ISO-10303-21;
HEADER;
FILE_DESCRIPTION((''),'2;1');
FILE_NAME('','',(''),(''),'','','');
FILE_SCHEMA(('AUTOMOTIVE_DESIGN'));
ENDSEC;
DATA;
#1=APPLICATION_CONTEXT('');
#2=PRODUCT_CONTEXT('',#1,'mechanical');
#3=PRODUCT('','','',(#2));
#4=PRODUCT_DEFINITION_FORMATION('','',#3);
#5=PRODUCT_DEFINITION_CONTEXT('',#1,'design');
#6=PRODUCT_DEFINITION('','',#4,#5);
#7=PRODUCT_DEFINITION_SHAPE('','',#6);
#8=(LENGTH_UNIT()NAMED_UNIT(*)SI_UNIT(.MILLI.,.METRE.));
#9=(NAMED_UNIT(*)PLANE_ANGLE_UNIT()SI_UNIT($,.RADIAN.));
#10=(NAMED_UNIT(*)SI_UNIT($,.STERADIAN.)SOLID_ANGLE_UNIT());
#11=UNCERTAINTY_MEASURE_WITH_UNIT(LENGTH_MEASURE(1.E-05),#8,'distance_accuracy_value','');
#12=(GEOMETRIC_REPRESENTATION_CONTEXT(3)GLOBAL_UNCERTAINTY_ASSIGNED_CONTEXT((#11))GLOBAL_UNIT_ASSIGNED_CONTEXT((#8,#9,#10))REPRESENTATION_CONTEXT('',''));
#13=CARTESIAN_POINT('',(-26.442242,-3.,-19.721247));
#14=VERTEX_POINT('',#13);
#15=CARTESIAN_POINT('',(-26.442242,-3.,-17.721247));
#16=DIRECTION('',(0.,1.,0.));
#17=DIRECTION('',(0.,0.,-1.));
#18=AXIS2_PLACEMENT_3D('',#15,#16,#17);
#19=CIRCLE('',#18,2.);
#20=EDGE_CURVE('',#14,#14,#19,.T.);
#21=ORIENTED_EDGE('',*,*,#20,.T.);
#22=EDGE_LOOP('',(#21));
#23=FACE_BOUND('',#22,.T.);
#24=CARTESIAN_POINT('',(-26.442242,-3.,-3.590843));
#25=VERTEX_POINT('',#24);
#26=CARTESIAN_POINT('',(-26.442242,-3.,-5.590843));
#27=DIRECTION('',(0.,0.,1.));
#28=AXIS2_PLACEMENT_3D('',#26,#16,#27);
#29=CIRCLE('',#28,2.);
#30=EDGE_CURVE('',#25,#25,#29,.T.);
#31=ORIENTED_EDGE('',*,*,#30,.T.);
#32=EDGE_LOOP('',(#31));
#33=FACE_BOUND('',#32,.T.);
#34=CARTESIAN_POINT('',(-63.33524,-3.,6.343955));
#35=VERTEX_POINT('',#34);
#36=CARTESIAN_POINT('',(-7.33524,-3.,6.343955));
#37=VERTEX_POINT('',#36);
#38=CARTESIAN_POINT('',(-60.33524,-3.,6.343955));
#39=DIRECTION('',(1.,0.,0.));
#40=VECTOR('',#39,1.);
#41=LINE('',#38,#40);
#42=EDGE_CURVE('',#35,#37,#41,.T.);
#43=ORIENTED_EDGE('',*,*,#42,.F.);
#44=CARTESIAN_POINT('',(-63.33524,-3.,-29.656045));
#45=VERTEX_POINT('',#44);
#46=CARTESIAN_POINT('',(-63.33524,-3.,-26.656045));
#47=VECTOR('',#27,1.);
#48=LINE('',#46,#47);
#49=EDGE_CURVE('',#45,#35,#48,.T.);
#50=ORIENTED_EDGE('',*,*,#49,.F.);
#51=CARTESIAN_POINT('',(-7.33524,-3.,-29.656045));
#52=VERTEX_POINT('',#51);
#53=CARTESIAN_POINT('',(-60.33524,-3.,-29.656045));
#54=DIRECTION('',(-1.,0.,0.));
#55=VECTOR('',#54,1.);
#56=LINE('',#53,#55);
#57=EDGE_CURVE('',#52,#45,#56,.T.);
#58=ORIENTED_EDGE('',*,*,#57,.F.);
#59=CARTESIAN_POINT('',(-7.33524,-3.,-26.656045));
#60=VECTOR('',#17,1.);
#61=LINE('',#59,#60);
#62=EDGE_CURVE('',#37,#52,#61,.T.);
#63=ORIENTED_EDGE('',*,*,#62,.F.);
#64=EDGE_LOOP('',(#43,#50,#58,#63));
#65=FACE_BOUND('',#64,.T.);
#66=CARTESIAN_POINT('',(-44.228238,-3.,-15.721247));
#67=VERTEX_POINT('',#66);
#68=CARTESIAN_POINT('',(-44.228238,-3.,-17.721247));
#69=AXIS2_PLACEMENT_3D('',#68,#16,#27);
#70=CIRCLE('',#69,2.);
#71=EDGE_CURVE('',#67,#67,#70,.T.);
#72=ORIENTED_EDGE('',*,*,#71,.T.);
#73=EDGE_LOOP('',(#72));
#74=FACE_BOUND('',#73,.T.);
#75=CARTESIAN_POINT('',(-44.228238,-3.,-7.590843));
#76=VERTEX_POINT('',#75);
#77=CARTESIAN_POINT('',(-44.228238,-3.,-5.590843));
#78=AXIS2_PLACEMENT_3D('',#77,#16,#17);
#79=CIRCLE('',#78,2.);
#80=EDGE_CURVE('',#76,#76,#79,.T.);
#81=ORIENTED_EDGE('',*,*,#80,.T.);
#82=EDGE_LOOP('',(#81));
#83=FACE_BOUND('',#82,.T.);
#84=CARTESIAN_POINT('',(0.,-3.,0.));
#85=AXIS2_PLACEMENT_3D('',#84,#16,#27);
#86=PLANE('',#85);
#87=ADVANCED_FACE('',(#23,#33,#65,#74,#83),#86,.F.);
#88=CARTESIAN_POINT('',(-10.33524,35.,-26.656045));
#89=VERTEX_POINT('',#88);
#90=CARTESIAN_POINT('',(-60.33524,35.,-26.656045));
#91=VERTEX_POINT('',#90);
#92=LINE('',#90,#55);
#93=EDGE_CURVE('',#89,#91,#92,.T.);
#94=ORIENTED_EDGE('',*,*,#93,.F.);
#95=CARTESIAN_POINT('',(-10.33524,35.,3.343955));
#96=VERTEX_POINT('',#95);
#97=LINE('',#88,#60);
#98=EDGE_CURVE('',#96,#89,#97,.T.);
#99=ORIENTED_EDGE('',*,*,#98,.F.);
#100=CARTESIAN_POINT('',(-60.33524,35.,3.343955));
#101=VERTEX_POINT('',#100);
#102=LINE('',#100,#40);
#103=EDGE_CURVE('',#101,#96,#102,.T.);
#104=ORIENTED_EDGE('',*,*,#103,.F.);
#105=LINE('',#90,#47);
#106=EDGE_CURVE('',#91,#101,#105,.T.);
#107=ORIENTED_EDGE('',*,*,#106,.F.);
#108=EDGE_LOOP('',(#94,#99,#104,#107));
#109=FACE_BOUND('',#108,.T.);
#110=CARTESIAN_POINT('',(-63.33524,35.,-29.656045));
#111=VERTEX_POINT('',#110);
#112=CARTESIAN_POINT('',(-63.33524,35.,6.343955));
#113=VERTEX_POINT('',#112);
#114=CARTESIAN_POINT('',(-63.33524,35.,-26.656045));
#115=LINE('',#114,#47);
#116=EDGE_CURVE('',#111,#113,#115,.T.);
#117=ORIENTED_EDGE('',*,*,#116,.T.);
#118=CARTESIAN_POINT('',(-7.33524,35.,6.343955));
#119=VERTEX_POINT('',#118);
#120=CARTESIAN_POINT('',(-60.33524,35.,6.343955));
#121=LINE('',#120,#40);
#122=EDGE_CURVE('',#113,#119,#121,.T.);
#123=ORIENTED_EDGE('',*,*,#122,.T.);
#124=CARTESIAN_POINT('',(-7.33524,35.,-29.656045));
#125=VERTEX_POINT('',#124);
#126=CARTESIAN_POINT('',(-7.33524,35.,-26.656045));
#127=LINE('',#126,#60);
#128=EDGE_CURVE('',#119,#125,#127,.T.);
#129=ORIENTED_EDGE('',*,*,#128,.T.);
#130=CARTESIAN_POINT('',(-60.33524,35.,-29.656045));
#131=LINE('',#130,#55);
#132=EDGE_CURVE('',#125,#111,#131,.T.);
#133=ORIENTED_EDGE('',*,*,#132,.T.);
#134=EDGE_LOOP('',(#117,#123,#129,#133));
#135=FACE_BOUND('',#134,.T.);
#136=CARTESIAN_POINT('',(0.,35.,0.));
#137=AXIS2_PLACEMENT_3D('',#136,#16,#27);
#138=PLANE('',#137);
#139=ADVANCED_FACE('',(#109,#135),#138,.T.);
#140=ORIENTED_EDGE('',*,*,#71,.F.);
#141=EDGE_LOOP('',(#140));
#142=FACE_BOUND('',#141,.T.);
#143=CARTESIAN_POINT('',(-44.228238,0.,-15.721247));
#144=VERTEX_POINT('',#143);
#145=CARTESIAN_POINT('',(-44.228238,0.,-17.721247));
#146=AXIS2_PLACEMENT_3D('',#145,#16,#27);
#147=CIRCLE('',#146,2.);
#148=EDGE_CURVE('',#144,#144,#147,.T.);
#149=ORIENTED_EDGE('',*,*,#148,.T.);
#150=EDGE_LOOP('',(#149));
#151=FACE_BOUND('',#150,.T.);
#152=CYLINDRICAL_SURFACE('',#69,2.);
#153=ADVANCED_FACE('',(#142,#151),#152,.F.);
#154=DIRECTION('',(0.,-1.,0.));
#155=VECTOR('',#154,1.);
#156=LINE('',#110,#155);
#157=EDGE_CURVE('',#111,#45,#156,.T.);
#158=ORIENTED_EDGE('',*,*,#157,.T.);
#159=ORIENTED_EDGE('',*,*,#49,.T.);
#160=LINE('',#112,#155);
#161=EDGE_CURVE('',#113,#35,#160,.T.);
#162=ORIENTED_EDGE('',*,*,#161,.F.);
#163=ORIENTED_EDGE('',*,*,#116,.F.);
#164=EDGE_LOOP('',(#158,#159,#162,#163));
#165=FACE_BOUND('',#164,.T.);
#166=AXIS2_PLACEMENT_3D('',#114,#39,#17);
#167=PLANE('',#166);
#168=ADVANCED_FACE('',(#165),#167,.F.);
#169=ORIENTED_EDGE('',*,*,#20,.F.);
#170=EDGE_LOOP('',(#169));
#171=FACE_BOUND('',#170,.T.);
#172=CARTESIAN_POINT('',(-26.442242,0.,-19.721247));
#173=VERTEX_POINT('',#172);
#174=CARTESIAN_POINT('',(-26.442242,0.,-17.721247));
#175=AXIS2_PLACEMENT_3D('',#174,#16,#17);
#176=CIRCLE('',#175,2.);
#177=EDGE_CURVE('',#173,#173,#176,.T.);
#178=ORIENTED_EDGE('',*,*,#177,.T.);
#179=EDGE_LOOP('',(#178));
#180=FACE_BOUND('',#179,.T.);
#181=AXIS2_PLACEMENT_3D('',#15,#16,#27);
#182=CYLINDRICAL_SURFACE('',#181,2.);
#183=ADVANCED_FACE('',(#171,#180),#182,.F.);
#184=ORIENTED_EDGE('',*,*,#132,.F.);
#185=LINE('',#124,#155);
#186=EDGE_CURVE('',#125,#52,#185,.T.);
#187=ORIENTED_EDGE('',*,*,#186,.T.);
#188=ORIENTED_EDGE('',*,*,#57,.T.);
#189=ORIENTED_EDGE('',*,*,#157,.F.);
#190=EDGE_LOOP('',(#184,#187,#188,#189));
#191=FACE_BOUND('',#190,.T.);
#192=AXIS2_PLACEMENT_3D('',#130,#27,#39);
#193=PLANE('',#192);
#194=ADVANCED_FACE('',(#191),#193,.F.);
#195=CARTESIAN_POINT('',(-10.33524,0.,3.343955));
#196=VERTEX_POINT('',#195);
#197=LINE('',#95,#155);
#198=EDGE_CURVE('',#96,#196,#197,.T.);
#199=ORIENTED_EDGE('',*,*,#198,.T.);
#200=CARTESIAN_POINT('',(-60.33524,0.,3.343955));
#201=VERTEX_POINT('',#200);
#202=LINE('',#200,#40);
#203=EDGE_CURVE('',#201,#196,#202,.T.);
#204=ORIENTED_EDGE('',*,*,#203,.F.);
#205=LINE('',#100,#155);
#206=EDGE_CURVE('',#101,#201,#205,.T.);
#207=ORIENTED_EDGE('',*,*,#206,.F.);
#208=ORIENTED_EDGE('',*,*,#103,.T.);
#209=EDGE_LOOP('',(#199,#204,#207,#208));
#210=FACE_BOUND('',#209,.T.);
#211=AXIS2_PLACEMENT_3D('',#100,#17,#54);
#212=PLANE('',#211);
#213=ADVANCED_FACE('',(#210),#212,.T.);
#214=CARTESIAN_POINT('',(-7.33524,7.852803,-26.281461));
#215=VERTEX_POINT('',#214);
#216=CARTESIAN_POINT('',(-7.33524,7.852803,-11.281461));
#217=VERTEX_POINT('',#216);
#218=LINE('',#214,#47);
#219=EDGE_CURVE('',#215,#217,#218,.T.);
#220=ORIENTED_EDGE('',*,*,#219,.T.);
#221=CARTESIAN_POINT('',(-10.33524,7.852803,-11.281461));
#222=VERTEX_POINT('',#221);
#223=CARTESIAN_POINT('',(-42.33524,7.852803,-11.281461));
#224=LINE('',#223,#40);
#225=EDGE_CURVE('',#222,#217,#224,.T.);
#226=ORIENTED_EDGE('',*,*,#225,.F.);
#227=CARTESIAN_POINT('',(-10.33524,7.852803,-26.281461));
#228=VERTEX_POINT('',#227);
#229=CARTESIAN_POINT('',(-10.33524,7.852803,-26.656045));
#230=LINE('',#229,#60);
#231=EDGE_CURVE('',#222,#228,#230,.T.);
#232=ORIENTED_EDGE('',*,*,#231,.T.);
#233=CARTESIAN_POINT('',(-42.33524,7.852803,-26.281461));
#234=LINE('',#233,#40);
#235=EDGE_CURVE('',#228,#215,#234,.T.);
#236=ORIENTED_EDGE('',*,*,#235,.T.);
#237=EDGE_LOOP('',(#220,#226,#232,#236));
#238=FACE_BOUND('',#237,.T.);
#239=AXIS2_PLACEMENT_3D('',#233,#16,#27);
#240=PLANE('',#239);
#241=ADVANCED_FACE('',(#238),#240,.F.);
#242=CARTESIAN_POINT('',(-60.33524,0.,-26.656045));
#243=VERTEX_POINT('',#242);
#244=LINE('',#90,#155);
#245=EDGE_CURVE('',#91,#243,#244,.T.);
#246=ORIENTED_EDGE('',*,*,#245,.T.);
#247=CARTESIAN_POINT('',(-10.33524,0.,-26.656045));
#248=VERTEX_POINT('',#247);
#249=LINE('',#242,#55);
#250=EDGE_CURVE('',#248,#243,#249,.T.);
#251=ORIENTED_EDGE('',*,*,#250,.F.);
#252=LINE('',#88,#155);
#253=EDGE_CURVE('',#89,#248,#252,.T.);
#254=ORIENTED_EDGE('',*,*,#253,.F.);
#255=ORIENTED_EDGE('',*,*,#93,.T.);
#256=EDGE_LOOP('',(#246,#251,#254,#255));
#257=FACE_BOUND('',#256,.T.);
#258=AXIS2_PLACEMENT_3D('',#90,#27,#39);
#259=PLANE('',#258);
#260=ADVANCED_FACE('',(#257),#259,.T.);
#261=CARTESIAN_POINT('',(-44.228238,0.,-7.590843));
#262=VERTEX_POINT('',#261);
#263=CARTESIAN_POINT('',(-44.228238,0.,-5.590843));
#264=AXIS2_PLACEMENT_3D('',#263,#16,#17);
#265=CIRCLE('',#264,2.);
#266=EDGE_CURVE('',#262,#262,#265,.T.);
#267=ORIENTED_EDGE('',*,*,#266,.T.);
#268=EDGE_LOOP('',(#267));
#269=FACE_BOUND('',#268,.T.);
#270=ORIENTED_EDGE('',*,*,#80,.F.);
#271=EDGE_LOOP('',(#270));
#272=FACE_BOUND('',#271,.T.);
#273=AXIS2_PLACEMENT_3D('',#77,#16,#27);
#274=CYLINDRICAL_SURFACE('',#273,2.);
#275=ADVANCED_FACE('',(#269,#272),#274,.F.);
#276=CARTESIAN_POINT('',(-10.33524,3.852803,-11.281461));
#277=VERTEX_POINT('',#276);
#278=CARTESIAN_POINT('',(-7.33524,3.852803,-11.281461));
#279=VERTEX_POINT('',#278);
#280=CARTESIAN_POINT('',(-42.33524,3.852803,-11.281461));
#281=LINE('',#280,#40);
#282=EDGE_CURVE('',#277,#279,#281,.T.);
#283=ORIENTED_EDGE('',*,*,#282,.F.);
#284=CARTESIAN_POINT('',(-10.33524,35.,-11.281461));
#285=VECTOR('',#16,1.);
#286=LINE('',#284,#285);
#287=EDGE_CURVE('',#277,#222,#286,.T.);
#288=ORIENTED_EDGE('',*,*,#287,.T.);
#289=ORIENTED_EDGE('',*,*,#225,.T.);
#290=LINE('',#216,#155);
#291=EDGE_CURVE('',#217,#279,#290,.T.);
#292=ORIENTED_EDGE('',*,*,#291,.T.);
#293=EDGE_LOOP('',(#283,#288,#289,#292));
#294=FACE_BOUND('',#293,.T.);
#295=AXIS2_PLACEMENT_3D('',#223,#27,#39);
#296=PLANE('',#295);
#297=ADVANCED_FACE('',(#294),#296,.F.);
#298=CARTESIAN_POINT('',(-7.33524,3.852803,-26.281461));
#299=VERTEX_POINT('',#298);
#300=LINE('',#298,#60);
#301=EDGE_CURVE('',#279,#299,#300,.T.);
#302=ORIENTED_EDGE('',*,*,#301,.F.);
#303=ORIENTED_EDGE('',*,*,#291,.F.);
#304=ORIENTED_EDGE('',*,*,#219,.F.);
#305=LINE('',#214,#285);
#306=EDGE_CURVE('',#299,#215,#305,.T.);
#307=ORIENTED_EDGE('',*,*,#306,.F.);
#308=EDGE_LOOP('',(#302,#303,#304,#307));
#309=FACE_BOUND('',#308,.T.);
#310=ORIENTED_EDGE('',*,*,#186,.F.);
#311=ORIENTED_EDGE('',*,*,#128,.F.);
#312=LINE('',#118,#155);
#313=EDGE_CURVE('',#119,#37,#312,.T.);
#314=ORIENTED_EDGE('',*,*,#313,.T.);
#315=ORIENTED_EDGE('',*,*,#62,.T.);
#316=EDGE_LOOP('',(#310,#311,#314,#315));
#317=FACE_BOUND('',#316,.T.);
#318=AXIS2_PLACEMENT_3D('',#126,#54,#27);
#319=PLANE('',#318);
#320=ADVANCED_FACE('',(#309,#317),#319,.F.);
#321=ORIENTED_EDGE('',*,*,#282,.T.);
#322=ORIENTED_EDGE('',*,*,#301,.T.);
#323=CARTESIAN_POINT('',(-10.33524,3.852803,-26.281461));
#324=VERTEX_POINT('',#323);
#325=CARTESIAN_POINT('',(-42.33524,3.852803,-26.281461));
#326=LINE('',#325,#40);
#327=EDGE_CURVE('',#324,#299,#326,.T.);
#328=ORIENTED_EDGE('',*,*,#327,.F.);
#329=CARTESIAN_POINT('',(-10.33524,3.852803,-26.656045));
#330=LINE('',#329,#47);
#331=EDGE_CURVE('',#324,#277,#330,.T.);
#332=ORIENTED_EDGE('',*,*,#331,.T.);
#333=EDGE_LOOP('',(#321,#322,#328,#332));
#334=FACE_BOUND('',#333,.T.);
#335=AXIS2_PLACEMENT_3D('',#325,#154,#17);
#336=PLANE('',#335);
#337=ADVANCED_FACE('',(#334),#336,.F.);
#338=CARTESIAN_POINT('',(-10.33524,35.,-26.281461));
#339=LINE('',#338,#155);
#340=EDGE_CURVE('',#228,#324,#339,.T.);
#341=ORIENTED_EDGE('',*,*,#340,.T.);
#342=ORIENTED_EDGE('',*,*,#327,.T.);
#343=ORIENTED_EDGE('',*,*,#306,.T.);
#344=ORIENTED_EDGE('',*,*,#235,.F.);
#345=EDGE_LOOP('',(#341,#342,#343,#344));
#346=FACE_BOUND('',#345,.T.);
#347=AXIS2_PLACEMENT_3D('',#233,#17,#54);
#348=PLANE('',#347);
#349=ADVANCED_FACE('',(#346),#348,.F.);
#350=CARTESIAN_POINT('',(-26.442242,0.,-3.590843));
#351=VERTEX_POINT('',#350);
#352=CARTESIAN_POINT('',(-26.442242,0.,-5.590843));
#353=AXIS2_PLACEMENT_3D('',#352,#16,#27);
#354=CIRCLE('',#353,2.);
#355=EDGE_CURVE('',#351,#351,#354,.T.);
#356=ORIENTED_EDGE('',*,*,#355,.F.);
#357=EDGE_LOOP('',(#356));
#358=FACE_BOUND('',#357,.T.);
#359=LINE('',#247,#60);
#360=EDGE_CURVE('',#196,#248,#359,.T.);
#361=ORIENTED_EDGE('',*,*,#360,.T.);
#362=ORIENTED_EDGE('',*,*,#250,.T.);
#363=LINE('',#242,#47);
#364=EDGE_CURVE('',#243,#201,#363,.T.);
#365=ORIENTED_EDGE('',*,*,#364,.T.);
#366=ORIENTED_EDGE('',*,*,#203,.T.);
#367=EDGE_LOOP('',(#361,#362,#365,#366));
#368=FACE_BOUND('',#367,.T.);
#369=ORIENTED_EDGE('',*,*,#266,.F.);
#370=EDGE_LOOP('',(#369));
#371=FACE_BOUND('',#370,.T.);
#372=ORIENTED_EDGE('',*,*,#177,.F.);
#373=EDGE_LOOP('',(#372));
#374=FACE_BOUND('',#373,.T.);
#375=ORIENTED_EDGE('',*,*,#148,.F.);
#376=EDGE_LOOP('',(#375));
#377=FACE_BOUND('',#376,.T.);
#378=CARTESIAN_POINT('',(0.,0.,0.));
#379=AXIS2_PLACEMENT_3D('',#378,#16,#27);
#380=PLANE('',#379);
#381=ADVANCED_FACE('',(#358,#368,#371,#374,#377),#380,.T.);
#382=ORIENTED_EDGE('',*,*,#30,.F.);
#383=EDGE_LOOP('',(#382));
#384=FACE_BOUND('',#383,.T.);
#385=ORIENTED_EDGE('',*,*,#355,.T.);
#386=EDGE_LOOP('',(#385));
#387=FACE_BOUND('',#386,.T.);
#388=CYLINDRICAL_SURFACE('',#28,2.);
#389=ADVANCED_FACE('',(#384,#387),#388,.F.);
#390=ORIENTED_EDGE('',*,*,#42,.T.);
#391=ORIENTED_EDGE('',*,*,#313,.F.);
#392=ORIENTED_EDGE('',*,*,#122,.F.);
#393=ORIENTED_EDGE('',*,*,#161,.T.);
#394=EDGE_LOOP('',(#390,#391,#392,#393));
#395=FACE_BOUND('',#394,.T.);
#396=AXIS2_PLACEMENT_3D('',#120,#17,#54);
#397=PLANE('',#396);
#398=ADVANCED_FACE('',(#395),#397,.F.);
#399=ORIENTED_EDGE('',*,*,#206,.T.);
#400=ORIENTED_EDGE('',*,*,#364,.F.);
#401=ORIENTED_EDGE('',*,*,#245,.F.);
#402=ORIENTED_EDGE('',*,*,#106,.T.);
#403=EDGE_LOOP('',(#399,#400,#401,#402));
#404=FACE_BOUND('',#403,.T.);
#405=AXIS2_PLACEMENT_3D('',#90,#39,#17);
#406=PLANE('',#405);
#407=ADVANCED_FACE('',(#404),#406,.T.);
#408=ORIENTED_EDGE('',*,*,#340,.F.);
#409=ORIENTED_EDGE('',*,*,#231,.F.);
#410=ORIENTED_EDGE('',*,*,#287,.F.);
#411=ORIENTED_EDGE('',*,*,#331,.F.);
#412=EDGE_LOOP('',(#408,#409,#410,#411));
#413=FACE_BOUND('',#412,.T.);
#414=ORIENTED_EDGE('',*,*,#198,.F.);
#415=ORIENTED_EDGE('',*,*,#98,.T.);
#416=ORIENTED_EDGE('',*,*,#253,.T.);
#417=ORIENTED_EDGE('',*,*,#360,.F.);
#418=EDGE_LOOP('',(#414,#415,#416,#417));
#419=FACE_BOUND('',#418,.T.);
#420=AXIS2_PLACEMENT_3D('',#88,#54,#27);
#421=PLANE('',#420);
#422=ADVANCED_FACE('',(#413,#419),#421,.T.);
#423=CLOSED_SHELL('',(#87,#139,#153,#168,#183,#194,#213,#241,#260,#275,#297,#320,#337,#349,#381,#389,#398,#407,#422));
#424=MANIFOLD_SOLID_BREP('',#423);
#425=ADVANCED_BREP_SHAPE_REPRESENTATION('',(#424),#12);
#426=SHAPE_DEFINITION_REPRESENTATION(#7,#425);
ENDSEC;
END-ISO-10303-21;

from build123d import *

# Parameters (mm, degrees)
ESBO_O1_W                = 50
ESBO_O1_H                = 30
RESSALTO_EXTRUS_O1_DEPTH = 35
CASCA1_T                 = 3
ESBO_O3_W                = 15
ESBO_O3_H                = 4
CORTE_EXTRUS_O2_DEPTH    = 35
ESBO_O4_R                = 2
CORTE_EXTRUS_O3_DEPTH    = 79.203795706


with BuildPart() as part:
    # Esboço1 → Ressalto-extrusão1 (new body)
    with BuildSketch(Plane(origin=(0, 0, 0), x_dir=(1, 0, 0), z_dir=(0, 1, 0))):
        with Locations((-35.335240137, 11.656045246)):
            Rectangle(ESBO_O1_W, ESBO_O1_H)
    extrude(amount=RESSALTO_EXTRUS_O1_DEPTH)

    # Casca1
    casca1_openings = [part.faces().sort_by_distance(p)[0] for p in [
        (-35.335240137, 35, -11.656045246),
    ]]
    offset(amount=CASCA1_T, openings=casca1_openings, kind=Kind.INTERSECTION)

    # Esboço3 → Corte-extrusão2 (cut)
    with BuildSketch(Plane(origin=(-7.335240137, 0, 0), x_dir=(0, 0, -1), z_dir=(1, 0, 0))):
        with Locations((18.781461493, 5.852803371)):
            Rectangle(ESBO_O3_W, ESBO_O3_H)
    extrude(amount=-CORTE_EXTRUS_O2_DEPTH, mode=Mode.SUBTRACT)

    # Esboço4 → Corte-extrusão3 (cut, through all)
    with BuildSketch(Plane(origin=(0, 0, 0), x_dir=(1, 0, 0), z_dir=(0, 1, 0))):
        with Locations(Location((-44.228238168, 17.721247166, 0), (0, 0, 270))):
            Circle(ESBO_O4_R)
        with Locations(Location((-44.228238168, 5.590843326, 0), (0, 0, 90))):
            Circle(ESBO_O4_R)
        with Locations(Location((-26.442242107, 5.590843326, 0), (0, 0, 270))):
            Circle(ESBO_O4_R)
        with Locations(Location((-26.442242107, 17.721247166, 0), (0, 0, 90))):
            Circle(ESBO_O4_R)
    extrude(amount=-CORTE_EXTRUS_O3_DEPTH, mode=Mode.SUBTRACT)


solid = part.part
